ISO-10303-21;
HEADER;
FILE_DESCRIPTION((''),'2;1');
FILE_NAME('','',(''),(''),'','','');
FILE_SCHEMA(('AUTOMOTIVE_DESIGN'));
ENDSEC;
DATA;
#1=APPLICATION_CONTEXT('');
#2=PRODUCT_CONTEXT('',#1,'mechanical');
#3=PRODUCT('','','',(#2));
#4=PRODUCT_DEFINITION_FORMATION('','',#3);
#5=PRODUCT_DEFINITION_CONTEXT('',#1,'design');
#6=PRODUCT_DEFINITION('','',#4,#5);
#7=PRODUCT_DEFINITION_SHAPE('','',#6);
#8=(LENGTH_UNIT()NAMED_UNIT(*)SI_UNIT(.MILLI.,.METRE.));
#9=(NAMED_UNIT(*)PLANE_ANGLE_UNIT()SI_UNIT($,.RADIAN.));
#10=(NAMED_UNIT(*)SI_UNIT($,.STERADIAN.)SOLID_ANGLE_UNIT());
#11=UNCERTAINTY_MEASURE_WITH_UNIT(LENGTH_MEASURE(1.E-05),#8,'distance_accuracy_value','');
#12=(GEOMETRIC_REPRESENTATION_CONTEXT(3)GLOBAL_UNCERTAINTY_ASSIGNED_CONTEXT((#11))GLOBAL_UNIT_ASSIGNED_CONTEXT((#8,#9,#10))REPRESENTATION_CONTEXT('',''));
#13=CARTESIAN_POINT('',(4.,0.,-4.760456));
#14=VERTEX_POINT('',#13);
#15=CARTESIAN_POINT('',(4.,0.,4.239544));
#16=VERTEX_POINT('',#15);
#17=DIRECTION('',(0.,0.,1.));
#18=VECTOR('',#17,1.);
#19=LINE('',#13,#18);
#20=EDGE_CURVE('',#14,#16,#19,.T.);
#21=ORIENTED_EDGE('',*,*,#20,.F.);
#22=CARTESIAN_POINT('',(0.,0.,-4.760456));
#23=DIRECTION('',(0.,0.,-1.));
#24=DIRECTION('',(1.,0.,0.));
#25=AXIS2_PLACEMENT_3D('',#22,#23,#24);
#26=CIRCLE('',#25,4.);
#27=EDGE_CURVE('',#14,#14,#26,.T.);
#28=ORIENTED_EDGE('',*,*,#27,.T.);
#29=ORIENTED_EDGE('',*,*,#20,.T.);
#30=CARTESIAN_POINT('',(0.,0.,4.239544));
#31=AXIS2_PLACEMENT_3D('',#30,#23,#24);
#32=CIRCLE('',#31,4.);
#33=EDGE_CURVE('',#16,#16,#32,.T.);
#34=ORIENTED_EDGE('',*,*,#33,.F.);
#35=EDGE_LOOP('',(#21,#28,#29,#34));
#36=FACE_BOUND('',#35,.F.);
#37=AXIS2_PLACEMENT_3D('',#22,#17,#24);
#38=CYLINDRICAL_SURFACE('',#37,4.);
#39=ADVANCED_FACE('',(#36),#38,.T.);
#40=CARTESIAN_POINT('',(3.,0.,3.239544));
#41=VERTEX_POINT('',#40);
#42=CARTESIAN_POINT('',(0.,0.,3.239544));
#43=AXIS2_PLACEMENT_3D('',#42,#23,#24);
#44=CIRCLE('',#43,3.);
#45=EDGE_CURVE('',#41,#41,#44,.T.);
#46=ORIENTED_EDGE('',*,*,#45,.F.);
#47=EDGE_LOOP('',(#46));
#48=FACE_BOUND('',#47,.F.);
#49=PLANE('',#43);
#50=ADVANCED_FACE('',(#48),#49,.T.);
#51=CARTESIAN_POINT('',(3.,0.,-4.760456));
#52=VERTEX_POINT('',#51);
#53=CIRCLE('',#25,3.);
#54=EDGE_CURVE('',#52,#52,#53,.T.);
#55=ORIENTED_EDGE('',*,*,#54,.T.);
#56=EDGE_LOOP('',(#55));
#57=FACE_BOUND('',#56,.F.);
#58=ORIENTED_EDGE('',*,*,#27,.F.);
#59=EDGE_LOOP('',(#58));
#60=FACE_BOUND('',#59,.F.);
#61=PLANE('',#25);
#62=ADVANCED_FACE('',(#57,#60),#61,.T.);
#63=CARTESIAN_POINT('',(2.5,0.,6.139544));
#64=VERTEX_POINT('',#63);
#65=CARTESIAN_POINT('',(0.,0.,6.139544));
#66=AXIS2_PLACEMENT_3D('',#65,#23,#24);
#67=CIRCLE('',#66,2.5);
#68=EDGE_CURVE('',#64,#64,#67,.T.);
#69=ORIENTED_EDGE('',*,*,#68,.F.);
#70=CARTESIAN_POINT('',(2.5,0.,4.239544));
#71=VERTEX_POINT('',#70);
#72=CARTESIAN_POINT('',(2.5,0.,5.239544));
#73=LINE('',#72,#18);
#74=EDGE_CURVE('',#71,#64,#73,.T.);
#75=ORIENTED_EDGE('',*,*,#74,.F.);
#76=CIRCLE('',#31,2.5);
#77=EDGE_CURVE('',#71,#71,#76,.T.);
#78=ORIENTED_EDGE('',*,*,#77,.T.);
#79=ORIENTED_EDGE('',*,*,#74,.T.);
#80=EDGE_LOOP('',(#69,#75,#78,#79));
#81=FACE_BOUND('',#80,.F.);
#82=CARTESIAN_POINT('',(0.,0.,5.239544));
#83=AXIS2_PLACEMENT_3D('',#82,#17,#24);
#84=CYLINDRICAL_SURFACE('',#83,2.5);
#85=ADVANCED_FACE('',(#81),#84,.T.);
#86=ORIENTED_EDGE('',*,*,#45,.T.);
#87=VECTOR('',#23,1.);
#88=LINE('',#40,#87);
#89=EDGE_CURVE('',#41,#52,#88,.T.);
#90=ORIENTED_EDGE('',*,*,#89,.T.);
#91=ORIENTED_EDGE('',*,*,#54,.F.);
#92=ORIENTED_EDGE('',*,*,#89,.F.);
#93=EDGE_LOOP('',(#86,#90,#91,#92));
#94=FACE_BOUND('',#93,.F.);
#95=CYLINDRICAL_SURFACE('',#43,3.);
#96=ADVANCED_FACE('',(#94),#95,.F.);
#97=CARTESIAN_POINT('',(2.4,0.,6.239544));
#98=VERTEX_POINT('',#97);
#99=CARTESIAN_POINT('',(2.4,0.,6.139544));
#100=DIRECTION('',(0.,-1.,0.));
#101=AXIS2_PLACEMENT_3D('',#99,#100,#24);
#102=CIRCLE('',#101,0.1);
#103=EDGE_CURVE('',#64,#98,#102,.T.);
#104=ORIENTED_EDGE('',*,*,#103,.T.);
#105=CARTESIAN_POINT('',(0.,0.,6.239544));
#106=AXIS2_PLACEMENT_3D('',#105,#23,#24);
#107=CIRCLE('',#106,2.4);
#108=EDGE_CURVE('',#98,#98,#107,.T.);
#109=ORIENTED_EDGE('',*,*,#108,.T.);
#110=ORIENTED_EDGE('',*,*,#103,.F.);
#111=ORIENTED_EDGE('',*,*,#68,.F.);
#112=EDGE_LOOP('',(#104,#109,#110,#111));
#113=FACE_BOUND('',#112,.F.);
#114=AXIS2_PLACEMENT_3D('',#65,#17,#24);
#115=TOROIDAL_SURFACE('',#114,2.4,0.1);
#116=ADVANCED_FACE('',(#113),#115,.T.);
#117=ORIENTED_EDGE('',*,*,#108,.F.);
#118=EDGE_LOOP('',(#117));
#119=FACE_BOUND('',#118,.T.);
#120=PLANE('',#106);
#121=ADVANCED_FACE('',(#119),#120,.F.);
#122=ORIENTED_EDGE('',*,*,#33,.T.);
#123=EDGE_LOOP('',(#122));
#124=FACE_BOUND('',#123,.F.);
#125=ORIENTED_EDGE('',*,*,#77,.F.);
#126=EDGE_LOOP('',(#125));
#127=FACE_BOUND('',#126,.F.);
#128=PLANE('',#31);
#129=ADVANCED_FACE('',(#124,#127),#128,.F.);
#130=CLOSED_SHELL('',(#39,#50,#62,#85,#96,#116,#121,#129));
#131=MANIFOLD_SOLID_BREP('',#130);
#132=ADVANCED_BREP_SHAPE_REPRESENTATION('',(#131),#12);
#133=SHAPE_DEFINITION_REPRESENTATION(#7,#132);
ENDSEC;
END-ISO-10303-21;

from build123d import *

# Parameters (mm, degrees)
F0_W = 2.5
F0_H = 2
F3_R = 0.1


with BuildPart() as f2:
    # F0 (on Front) → F2 (revolve)
    with BuildSketch(Plane.XZ):
        Polygon((2.5, 4.239544), (0, 4.239544), (0, 3.239544), (3, 3.239544), (3, -4.760456), (4, -4.760456), (4, 4.239544), align=None)
        with Locations((1.25, 5.239544)):
            Rectangle(F0_W, F0_H)
    revolve(axis=Axis((0, 0, 3.739544), (0, 0, -1)))

    # F3
    f3_edges = [f2.edges().sort_by_distance(p)[0] for p in [
        (-2.5, 0, 6.239544),
    ]]
    fillet(f3_edges, radius=F3_R)


solid = f2.part
